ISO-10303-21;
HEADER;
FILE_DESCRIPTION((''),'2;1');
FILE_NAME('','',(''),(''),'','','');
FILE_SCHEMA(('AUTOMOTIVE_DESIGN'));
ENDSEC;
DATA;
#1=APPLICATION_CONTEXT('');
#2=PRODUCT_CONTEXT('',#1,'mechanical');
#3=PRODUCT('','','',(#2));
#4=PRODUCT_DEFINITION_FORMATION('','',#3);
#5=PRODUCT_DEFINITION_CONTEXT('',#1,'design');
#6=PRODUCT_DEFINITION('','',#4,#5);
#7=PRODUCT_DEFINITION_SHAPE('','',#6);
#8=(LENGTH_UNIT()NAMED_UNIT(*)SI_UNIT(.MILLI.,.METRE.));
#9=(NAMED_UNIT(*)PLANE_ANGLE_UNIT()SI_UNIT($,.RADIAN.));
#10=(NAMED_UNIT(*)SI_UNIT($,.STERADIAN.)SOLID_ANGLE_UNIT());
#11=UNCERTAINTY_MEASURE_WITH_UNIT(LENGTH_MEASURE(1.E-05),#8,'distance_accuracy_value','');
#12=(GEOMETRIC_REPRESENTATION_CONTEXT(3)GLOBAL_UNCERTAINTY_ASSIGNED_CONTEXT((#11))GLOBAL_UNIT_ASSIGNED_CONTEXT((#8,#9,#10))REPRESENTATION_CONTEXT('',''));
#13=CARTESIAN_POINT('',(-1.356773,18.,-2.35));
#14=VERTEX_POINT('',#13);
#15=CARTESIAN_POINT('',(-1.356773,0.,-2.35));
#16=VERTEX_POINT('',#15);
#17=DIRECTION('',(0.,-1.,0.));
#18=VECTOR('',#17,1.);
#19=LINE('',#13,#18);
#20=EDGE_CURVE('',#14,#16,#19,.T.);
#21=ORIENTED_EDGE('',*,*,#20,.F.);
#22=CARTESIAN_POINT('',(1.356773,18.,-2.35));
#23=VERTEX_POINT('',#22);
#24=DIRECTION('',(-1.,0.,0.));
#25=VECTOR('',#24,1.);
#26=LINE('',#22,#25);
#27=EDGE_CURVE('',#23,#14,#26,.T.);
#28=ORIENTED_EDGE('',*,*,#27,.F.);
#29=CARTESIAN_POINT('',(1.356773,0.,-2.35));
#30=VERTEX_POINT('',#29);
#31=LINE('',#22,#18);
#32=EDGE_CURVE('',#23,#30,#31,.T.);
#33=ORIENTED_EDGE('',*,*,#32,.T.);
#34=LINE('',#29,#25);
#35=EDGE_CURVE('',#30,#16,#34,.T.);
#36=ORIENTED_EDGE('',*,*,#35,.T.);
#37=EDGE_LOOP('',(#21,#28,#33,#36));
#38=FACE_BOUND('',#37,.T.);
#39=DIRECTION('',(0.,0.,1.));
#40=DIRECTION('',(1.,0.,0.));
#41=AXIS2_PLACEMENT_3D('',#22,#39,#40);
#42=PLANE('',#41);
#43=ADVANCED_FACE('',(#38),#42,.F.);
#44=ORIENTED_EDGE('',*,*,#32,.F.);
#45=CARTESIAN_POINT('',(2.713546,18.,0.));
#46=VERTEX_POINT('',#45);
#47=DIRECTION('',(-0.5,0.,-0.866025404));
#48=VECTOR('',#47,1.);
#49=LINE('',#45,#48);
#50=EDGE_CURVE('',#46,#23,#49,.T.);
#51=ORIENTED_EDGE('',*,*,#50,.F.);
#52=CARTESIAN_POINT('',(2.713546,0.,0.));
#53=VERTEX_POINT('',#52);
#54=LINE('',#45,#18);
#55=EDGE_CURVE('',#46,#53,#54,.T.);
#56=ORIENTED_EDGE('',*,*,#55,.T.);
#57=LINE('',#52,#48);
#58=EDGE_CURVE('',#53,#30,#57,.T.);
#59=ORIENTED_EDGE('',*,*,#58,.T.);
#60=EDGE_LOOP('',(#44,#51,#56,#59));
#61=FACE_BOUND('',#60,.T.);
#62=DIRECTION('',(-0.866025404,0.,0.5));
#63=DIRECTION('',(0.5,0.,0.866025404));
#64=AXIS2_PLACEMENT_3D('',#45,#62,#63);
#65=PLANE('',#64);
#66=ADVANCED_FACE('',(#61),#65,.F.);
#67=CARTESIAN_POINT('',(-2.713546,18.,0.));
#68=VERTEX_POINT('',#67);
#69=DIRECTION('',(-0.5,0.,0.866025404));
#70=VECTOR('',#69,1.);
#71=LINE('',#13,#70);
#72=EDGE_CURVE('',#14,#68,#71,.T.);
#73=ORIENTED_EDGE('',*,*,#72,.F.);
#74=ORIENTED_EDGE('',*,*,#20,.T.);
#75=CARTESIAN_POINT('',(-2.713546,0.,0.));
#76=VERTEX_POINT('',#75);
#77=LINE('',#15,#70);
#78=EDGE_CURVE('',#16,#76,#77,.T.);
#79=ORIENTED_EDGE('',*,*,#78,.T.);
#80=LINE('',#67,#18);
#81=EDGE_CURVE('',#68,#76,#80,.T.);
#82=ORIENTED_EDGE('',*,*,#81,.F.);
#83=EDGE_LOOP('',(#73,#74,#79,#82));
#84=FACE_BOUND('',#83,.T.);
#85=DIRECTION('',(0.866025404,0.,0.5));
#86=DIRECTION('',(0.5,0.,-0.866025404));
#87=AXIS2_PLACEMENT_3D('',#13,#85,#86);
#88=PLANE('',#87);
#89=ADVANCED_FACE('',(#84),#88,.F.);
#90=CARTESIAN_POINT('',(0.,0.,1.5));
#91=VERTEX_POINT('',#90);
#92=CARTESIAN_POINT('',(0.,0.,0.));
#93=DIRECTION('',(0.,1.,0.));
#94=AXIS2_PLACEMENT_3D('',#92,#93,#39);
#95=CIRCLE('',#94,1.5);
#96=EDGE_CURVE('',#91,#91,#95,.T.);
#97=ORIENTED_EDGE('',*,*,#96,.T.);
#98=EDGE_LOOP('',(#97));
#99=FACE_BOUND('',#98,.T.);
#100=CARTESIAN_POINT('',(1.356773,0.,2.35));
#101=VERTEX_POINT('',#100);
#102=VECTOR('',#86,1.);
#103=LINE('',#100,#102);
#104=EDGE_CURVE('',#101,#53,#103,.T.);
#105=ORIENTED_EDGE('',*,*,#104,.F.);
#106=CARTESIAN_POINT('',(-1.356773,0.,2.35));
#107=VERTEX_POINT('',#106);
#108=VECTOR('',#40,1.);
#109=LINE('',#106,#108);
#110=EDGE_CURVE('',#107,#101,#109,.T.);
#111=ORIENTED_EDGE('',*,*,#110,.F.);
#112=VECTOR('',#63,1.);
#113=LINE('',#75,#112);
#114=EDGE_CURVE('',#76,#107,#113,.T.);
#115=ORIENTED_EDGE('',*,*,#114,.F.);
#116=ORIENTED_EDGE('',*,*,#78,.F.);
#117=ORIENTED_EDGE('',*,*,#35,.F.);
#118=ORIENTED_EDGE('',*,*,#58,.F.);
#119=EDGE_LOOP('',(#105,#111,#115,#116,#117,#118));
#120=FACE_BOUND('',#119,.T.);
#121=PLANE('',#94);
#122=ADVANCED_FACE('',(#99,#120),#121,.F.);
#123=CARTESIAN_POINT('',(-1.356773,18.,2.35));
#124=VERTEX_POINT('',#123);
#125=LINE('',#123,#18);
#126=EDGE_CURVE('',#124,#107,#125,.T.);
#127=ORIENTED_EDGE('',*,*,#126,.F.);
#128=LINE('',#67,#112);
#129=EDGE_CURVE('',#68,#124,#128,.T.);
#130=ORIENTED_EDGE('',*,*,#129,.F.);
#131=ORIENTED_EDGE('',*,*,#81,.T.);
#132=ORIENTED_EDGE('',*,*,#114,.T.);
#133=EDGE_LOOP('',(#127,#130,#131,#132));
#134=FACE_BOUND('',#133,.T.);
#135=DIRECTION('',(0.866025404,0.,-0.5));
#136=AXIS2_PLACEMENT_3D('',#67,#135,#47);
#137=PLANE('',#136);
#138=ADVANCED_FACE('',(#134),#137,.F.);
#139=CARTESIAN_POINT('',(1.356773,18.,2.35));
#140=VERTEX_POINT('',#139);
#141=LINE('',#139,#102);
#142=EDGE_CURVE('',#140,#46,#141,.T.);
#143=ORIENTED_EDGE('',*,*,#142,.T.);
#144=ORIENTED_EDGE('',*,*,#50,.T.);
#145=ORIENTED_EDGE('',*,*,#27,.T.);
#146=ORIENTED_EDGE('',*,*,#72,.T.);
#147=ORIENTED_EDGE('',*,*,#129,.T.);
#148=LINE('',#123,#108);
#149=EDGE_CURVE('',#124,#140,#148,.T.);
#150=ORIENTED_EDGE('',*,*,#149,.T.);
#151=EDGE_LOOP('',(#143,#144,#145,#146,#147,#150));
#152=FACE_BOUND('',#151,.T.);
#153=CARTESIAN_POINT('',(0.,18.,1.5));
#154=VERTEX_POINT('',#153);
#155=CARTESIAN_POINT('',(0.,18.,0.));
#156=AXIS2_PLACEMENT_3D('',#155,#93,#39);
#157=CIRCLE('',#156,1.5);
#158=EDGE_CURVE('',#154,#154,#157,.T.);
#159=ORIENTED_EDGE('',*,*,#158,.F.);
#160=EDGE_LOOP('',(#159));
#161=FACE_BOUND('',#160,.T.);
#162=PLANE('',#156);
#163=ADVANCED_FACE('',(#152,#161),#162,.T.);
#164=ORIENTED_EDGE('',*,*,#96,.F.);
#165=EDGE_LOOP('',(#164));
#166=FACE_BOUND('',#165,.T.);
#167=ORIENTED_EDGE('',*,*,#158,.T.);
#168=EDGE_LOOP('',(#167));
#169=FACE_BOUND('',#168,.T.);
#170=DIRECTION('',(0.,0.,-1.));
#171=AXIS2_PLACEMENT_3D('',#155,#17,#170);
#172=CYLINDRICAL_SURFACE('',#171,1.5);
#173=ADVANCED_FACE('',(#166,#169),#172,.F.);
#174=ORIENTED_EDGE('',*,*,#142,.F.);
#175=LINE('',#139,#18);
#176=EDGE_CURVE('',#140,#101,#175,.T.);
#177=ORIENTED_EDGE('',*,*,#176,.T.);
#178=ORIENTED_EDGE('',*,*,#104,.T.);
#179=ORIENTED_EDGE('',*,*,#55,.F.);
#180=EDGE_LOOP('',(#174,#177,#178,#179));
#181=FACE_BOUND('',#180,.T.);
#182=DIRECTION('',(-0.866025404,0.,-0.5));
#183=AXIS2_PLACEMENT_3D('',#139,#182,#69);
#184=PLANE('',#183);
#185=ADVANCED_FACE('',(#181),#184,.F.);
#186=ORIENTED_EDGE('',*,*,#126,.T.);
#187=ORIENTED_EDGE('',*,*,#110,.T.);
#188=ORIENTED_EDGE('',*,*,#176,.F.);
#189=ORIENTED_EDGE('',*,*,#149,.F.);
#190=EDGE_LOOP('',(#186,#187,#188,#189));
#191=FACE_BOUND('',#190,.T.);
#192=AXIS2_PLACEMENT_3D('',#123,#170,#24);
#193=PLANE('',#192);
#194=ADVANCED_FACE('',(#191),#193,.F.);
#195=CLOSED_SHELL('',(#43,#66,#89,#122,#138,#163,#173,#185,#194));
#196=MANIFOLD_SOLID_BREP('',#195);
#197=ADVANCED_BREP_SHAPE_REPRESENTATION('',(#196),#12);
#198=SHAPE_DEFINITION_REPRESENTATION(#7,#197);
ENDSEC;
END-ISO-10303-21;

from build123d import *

# Parameters (mm, degrees)
SKETCH_1_R      = 1.5
EXTRUDE_1_DEPTH = 18


with BuildPart() as part:
    # 草图1 → 凸台-拉伸1 (new body)
    with BuildSketch(Plane(origin=(0, 0, 0), x_dir=(1, 0, 0), z_dir=(0, 1, 0))):
        Polygon((1.356773133, -2.35), (2.713546265, 0), (1.356773133, 2.35), (-1.356773133, 2.35), (-2.713546265, 0), (-1.356773133, -2.35), align=None)
        with Locations(Location((0, 0, 0), (0, 0, 270))):
            Circle(SKETCH_1_R, mode=Mode.SUBTRACT)
    extrude(amount=EXTRUDE_1_DEPTH)


solid = part.part
